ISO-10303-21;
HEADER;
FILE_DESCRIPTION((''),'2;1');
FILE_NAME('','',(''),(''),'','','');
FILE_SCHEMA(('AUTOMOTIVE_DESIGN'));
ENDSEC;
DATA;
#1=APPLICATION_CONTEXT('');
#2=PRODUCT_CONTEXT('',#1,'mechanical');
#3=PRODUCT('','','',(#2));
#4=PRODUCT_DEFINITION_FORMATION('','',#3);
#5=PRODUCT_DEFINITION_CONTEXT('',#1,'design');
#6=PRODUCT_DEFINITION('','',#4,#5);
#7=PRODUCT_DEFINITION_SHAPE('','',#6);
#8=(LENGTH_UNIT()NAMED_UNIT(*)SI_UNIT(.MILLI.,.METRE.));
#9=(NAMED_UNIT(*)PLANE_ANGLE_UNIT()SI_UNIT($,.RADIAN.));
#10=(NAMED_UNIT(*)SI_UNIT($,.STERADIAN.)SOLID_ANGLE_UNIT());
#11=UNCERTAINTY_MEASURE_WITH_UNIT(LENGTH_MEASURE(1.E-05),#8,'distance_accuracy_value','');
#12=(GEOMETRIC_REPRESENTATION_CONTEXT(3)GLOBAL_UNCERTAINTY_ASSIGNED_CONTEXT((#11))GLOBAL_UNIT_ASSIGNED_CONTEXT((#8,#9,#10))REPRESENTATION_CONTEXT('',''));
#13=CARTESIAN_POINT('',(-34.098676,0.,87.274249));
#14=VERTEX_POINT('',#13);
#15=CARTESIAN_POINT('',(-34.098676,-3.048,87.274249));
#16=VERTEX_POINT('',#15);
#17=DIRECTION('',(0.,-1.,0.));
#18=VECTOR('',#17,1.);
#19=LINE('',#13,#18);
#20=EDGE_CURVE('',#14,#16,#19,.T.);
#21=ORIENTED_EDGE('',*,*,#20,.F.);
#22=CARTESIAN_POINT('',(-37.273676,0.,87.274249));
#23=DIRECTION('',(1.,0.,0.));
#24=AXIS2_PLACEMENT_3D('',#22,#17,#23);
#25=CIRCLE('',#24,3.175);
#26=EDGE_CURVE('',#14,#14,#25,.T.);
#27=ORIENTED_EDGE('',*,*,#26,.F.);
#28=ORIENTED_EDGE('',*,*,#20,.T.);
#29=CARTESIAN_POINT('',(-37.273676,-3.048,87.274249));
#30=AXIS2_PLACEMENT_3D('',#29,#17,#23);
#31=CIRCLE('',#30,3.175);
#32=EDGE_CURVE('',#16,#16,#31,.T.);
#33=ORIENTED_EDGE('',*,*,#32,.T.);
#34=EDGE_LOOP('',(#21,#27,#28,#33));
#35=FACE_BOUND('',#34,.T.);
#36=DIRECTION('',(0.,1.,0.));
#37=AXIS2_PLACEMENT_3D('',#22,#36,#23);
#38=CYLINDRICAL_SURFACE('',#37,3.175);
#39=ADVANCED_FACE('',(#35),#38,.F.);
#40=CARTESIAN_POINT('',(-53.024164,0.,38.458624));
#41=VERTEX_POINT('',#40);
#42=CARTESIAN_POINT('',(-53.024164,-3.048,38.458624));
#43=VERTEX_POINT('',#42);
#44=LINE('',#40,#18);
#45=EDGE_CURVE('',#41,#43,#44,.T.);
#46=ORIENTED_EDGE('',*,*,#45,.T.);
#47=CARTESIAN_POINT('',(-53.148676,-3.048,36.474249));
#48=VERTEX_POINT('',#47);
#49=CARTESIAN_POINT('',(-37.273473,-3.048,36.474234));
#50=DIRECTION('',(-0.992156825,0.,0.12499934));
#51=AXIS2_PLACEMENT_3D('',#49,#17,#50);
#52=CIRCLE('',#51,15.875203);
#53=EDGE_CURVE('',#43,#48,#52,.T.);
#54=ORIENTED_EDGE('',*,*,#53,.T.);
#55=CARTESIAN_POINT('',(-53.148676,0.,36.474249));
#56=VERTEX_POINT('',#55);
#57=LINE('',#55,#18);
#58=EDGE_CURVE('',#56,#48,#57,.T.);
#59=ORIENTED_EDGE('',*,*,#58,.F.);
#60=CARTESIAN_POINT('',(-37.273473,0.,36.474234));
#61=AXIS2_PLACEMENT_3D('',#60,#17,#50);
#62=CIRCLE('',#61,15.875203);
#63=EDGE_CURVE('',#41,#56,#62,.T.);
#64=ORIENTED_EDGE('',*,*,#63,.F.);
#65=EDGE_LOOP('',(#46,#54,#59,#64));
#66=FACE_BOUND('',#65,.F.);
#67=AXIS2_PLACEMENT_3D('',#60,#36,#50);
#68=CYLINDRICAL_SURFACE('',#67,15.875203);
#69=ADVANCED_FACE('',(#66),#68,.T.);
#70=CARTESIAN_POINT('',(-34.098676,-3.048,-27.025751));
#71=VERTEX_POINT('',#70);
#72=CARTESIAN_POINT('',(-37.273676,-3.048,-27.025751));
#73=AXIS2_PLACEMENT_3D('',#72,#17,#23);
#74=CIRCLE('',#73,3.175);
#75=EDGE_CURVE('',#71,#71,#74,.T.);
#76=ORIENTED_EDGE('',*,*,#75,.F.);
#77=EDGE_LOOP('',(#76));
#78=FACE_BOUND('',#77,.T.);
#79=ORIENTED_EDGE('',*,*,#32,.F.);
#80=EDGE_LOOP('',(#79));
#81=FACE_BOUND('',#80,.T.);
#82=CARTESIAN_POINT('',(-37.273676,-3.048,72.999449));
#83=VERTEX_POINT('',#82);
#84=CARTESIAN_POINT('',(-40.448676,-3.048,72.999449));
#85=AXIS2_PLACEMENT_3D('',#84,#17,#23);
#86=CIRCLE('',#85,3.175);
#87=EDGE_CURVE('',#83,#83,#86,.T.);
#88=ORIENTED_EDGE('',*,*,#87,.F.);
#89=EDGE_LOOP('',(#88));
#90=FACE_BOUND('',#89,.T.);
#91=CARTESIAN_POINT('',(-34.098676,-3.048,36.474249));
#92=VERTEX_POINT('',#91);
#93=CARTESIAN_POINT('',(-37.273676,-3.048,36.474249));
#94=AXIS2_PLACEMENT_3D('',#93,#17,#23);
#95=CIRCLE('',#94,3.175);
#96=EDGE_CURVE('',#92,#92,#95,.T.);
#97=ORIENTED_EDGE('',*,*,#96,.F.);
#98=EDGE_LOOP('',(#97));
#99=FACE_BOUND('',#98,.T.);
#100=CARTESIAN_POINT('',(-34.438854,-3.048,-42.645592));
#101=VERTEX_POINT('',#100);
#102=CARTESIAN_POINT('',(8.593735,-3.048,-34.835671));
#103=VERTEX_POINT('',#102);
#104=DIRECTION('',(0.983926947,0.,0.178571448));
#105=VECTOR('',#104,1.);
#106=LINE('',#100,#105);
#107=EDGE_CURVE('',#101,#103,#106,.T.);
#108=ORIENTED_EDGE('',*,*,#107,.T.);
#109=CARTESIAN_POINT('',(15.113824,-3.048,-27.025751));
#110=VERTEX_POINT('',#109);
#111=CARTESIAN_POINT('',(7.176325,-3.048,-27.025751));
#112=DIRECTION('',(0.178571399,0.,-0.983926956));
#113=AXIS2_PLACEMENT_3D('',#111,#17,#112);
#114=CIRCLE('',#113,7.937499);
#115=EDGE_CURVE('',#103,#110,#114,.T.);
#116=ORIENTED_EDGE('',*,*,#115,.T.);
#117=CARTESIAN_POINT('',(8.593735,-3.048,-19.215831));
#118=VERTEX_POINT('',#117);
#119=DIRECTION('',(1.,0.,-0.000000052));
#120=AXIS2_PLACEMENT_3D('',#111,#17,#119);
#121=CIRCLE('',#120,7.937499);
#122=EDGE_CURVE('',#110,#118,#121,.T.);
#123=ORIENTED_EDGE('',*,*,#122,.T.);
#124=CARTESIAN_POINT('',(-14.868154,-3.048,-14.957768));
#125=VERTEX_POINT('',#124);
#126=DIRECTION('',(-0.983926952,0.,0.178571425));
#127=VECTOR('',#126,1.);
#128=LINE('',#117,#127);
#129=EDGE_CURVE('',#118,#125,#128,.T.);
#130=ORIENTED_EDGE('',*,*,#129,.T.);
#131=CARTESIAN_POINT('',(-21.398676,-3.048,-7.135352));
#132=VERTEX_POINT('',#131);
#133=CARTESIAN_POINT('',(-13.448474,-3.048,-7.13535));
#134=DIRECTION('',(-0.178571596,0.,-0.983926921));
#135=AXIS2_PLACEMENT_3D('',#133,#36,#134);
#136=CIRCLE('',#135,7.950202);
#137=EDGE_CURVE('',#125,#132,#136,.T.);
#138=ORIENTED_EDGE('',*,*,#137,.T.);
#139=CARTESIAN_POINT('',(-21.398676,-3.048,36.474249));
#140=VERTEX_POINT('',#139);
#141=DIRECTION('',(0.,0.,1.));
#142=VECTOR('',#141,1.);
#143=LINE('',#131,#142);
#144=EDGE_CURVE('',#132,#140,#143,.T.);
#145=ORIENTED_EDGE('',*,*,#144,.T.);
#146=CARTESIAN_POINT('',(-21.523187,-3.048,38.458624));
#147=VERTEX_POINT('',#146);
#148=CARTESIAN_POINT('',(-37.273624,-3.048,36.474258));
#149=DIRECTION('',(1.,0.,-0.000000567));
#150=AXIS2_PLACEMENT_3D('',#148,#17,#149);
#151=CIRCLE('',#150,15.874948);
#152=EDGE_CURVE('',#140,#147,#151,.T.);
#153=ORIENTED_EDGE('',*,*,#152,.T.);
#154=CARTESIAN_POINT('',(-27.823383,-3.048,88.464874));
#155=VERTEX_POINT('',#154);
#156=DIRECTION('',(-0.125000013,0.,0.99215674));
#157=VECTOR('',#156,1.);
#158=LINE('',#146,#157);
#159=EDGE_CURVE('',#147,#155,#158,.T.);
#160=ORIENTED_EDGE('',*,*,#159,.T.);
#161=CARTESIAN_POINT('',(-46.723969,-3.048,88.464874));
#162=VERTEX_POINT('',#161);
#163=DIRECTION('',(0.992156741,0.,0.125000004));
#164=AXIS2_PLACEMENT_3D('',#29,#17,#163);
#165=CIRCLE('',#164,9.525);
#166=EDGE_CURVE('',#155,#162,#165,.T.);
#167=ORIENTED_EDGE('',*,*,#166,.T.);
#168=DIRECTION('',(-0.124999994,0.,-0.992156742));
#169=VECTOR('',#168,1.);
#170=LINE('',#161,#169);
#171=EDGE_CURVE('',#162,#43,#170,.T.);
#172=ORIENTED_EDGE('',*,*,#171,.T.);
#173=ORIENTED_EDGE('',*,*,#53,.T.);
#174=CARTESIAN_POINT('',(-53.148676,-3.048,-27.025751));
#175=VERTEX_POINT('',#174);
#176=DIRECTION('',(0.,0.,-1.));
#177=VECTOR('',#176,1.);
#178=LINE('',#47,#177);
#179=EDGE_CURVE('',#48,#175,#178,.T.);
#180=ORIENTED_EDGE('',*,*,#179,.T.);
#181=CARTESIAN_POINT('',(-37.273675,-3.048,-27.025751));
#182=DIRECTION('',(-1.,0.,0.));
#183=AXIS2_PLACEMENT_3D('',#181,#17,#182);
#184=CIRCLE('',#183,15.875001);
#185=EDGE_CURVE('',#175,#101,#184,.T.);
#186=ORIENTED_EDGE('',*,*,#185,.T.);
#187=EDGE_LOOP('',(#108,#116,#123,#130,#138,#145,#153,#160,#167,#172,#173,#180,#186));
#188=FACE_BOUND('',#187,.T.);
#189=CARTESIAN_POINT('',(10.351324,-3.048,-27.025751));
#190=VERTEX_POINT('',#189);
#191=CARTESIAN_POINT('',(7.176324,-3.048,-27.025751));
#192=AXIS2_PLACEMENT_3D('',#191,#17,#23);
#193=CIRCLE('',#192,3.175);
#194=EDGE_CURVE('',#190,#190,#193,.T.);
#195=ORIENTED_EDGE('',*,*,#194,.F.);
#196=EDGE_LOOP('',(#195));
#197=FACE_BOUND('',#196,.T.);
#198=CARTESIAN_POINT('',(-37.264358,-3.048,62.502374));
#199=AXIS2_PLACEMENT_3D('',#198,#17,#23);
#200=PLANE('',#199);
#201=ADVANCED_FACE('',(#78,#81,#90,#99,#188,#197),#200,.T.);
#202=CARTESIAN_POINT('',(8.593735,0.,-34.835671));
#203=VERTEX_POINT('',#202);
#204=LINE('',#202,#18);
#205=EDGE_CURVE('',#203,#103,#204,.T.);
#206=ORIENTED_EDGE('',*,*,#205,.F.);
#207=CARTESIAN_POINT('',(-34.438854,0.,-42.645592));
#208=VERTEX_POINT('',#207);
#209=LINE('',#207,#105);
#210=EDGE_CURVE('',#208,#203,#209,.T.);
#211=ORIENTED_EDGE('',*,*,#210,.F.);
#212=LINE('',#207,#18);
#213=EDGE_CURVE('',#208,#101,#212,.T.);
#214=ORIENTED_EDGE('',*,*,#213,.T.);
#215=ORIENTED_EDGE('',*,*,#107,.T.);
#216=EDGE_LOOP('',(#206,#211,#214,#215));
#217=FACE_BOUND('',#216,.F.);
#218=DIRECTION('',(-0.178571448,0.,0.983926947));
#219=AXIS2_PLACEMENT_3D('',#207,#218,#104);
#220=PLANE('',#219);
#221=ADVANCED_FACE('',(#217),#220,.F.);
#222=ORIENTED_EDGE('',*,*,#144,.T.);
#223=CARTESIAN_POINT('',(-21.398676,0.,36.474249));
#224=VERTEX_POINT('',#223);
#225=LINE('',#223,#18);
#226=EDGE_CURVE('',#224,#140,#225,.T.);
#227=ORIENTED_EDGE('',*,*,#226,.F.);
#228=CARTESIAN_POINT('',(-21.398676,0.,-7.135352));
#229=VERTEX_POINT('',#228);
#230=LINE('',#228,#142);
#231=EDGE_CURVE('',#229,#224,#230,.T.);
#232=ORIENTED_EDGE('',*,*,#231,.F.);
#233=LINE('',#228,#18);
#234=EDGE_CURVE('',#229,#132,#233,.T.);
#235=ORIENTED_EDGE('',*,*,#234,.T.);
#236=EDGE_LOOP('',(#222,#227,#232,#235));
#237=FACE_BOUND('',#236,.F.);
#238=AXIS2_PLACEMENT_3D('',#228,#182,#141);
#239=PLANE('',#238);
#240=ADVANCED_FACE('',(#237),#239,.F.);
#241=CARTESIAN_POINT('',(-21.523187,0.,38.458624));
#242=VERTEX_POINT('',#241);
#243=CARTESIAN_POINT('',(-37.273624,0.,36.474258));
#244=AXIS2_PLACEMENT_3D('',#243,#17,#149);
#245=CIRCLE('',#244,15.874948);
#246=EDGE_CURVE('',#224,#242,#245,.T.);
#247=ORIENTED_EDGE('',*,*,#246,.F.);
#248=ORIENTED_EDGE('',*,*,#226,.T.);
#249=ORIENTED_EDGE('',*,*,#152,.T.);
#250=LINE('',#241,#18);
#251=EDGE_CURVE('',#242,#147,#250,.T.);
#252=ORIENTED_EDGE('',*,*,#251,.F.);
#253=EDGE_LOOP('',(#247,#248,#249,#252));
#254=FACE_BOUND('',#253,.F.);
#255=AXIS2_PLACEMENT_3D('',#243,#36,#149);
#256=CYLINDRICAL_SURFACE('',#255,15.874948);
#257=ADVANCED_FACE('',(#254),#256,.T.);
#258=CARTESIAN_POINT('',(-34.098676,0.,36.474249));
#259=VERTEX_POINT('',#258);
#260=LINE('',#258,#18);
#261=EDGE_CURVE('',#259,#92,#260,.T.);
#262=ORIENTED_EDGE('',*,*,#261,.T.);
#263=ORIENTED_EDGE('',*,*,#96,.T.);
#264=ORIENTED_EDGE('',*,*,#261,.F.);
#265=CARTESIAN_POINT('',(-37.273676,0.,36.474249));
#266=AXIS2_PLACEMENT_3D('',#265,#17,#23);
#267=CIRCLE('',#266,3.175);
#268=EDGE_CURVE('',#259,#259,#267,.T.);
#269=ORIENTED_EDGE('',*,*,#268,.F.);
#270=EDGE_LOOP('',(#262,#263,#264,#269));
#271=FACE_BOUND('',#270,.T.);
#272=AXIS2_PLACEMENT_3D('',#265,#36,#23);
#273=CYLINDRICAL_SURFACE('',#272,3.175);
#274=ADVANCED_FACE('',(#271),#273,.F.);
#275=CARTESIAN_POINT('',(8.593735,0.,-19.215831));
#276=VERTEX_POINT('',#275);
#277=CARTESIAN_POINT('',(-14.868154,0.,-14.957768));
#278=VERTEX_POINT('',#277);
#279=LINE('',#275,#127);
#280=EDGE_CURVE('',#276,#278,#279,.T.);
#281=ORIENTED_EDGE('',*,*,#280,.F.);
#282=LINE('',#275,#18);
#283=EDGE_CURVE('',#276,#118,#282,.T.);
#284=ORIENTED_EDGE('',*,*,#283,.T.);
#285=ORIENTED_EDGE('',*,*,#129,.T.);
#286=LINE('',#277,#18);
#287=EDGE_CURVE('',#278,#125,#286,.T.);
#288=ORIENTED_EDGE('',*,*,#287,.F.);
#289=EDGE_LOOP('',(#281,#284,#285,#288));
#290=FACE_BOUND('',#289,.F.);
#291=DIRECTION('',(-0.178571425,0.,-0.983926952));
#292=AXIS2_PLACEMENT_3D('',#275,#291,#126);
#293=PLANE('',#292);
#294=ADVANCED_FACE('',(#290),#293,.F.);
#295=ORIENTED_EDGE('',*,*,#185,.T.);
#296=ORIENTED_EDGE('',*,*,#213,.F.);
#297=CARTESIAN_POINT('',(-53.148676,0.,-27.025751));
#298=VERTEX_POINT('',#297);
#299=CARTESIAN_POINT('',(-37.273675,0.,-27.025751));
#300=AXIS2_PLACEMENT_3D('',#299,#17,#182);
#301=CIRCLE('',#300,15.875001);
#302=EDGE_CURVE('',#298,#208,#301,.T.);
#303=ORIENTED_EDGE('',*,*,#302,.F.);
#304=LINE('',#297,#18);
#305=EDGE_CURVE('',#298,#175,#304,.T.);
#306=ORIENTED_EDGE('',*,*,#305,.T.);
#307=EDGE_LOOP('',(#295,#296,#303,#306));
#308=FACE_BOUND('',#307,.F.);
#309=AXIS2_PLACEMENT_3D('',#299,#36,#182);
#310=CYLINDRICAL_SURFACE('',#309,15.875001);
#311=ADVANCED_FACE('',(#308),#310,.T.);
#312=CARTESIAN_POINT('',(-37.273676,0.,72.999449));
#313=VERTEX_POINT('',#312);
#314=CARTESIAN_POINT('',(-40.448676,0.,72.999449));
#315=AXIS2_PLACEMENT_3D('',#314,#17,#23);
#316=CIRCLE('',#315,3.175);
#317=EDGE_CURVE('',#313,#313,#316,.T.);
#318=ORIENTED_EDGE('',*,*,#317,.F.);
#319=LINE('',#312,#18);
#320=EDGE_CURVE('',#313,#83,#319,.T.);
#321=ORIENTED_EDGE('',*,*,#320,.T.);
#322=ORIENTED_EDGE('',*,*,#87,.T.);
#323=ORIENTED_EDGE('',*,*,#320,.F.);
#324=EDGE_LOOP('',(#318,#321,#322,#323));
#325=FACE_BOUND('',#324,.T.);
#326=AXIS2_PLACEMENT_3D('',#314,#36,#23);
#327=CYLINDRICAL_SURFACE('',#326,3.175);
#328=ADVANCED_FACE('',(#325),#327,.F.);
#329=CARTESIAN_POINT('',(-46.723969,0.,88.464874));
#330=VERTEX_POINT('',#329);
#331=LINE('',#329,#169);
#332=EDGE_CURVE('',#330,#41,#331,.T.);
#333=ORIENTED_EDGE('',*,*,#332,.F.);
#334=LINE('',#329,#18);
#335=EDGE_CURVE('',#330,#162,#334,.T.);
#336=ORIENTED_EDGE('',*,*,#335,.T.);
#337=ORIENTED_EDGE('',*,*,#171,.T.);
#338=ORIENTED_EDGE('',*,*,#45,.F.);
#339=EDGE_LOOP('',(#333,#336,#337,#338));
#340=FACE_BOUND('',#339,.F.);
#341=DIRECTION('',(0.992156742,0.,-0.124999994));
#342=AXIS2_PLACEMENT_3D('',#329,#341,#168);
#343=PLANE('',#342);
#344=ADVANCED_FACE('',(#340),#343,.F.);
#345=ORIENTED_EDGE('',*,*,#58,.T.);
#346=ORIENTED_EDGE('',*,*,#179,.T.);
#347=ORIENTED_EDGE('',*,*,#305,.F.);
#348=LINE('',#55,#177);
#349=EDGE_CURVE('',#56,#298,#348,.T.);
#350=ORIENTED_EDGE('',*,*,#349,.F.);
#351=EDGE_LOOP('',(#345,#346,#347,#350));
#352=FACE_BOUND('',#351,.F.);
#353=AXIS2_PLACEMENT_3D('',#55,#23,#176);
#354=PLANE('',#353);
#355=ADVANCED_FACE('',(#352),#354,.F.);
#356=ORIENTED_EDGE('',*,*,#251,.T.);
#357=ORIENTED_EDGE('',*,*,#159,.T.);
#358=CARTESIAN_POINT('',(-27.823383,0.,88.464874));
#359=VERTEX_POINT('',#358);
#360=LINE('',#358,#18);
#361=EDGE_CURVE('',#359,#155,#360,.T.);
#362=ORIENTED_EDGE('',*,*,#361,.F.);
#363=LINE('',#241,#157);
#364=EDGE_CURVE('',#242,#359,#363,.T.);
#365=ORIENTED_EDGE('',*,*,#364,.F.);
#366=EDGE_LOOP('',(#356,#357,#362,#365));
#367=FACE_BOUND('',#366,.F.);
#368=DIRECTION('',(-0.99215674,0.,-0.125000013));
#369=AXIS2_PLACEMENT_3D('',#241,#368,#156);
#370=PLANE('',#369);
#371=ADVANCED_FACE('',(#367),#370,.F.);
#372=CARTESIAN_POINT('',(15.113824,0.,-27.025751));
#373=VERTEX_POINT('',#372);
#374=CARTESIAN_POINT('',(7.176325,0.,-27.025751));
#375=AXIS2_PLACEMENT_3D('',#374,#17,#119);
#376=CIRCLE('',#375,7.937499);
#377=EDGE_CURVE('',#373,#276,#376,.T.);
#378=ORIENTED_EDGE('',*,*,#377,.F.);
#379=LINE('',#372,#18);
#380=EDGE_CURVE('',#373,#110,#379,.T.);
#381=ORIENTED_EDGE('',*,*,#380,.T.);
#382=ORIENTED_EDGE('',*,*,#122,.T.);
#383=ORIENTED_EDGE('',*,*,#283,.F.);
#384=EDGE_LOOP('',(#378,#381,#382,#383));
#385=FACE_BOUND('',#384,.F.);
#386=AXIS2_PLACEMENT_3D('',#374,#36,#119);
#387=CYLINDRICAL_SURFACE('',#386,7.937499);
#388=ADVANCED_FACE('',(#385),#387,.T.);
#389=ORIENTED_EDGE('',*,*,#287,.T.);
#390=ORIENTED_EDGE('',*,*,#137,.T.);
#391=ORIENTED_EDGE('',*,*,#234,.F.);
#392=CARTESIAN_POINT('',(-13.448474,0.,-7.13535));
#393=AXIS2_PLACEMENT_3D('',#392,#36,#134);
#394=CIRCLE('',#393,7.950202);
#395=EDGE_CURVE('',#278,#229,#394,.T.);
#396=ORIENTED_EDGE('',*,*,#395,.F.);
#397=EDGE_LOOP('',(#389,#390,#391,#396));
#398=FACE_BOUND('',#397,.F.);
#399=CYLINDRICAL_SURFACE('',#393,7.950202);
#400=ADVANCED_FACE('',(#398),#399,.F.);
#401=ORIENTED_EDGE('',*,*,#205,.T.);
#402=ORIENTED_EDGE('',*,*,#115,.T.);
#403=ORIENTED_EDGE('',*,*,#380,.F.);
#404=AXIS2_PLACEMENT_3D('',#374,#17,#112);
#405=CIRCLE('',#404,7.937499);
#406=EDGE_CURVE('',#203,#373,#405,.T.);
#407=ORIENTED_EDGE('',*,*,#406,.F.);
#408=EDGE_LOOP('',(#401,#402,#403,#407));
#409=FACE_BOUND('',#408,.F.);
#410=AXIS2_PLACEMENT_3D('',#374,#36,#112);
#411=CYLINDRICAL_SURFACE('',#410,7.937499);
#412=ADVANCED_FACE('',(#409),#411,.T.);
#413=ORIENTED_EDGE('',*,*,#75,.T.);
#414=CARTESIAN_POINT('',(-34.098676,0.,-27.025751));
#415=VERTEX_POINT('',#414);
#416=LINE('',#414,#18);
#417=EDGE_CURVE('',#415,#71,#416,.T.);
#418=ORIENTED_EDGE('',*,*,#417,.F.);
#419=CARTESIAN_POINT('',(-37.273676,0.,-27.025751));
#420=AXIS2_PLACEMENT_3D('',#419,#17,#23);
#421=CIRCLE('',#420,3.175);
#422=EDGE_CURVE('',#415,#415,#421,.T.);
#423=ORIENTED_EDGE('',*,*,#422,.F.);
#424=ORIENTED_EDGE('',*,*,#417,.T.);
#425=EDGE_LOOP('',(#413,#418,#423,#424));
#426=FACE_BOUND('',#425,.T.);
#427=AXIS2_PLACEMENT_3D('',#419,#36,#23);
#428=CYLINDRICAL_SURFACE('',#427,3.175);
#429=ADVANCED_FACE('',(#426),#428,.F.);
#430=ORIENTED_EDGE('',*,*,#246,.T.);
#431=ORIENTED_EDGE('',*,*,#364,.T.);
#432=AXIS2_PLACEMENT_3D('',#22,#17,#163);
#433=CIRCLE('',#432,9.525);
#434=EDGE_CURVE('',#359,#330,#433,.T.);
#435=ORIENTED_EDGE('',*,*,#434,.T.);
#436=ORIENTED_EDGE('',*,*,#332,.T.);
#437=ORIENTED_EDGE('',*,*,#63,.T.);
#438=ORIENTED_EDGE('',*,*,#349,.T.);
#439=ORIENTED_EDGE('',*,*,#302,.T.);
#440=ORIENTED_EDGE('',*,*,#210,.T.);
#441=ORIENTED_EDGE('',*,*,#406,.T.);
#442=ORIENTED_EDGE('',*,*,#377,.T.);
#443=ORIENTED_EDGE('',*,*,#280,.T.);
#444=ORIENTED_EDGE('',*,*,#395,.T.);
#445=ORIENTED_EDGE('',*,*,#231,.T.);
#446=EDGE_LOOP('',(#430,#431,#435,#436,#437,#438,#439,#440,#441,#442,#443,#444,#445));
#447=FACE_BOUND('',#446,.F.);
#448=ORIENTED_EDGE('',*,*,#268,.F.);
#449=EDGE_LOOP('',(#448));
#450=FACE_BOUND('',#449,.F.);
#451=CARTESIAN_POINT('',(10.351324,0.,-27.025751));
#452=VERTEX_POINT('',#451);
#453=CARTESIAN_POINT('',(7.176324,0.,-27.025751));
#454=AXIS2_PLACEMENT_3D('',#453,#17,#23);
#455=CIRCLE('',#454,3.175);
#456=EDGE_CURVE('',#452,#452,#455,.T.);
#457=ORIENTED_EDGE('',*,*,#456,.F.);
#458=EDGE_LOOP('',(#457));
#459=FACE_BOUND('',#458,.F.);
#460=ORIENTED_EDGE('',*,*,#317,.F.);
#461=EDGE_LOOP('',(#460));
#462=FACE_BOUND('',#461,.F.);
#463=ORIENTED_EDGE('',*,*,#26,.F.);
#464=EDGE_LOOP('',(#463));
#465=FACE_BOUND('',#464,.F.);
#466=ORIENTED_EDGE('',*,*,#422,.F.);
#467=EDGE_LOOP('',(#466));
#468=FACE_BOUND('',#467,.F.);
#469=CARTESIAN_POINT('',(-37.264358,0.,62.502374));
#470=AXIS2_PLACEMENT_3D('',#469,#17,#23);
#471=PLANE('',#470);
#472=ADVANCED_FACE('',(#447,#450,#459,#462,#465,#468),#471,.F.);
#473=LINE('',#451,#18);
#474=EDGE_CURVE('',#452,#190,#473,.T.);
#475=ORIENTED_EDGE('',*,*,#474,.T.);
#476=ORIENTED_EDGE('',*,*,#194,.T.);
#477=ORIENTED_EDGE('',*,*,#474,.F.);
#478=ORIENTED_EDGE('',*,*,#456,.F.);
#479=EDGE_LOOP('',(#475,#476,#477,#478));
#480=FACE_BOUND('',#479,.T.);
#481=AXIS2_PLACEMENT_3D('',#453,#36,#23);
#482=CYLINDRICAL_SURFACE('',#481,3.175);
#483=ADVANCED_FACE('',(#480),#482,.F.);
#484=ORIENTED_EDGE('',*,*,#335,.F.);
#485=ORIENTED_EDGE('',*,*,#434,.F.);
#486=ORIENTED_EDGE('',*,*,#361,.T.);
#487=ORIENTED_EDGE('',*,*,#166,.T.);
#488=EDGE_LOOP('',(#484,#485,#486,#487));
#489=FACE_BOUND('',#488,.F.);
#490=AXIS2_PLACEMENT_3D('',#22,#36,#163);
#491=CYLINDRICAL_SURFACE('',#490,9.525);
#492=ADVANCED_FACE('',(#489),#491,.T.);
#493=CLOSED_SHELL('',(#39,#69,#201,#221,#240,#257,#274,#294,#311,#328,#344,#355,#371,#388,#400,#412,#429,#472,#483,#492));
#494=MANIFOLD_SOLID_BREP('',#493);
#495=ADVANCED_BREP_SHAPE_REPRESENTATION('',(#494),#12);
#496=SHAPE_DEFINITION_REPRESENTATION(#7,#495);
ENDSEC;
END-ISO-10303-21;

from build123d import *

# Parameters (mm, degrees)
F0_R     = 3.175
F1_DEPTH = 3.048


with BuildPart() as f1:
    # F0 (on Front) → F1 (new body)
    with BuildSketch(Plane.XZ):
        with BuildLine():
            ThreePointArc((-27.823383, 88.464874), (-27.767371, 87.870732), (-27.748676, 87.274249))
            ThreePointArc((-27.748676, 87.274249), (-37.870159, 77.767944), (-46.723969, 88.464874))
            Line((-46.723969, 88.464874), (-53.024164, 38.458624))
            ThreePointArc((-53.024164, 38.458624), (-37.273676, 52.349249), (-21.523187, 38.458624))
            Line((-21.523187, 38.458624), (-27.823383, 88.464874))
        make_face()
        with Locations((-40.448676, 72.999449)):
            Circle(F0_R, mode=Mode.SUBTRACT)
        with BuildLine():
            ThreePointArc((-46.723969, 88.464874), (-37.870159, 77.767944), (-27.748676, 87.274249))
            ThreePointArc((-27.748676, 87.274249), (-27.767371, 87.870732), (-27.823383, 88.464874))
            ThreePointArc((-27.823383, 88.464874), (-37.273676, 96.799249), (-46.723969, 88.464874))
        make_face()
        with Locations((-37.273676, 87.274249)):
            Circle(F0_R, mode=Mode.SUBTRACT)
        with BuildLine():
            ThreePointArc((-21.398676, 36.474249), (-21.429834, 37.468387), (-21.523187, 38.458624))
            ThreePointArc((-21.523187, 38.458624), (-37.273676, 52.349249), (-53.024164, 38.458624))
            ThreePointArc((-53.024164, 38.458624), (-53.117517, 37.468387), (-53.148676, 36.474249))
            ThreePointArc((-53.148676, 36.474249), (-37.273676, 20.599249), (-21.398676, 36.474249))
        make_face()
        with Locations((-37.273676, 36.474249)):
            Circle(F0_R, mode=Mode.SUBTRACT)
        with BuildLine():
            Line((-21.398676, -7.135352), (-21.398676, 36.474249))
            ThreePointArc((-21.398676, 36.474249), (-37.273676, 20.599249), (-53.148676, 36.474249))
            Line((-53.148676, 36.474249), (-53.148676, -27.025751))
            ThreePointArc((-53.148676, -27.025751), (-37.273676, -11.150751), (-21.398676, -27.025751))
            ThreePointArc((-21.398676, -27.025751), (-25.08724, -37.199562), (-34.438854, -42.645592))
            Line((-34.438854, -42.645592), (8.593735, -34.835671))
            ThreePointArc((8.593735, -34.835671), (-0.761176, -27.025751), (8.593735, -19.215831))
            Line((8.593735, -19.215831), (-14.868154, -14.957768))
            ThreePointArc((-14.868154, -14.957768), (-19.551442, -12.230396), (-21.398676, -7.135352))
        make_face()
        with BuildLine():
            ThreePointArc((-21.398676, -27.025751), (-37.273676, -11.150751), (-53.148676, -27.025751))
            ThreePointArc((-53.148676, -27.025751), (-47.447486, -39.212187), (-34.438854, -42.645592))
            ThreePointArc((-34.438854, -42.645592), (-25.08724, -37.199562), (-21.398676, -27.025751))
        make_face()
        with Locations((-37.273676, -27.025751)):
            Circle(F0_R, mode=Mode.SUBTRACT)
        with BuildLine():
            ThreePointArc((15.113824, -27.025751), (13.269542, -21.938846), (8.593735, -19.215831))
            ThreePointArc((8.593735, -19.215831), (-0.761176, -27.025751), (8.593735, -34.835671))
            ThreePointArc((8.593735, -34.835671), (13.269542, -32.112656), (15.113824, -27.025751))
        make_face()
        with Locations((7.176324, -27.025751)):
            Circle(F0_R, mode=Mode.SUBTRACT)
    extrude(amount=F1_DEPTH)


solid = f1.part
